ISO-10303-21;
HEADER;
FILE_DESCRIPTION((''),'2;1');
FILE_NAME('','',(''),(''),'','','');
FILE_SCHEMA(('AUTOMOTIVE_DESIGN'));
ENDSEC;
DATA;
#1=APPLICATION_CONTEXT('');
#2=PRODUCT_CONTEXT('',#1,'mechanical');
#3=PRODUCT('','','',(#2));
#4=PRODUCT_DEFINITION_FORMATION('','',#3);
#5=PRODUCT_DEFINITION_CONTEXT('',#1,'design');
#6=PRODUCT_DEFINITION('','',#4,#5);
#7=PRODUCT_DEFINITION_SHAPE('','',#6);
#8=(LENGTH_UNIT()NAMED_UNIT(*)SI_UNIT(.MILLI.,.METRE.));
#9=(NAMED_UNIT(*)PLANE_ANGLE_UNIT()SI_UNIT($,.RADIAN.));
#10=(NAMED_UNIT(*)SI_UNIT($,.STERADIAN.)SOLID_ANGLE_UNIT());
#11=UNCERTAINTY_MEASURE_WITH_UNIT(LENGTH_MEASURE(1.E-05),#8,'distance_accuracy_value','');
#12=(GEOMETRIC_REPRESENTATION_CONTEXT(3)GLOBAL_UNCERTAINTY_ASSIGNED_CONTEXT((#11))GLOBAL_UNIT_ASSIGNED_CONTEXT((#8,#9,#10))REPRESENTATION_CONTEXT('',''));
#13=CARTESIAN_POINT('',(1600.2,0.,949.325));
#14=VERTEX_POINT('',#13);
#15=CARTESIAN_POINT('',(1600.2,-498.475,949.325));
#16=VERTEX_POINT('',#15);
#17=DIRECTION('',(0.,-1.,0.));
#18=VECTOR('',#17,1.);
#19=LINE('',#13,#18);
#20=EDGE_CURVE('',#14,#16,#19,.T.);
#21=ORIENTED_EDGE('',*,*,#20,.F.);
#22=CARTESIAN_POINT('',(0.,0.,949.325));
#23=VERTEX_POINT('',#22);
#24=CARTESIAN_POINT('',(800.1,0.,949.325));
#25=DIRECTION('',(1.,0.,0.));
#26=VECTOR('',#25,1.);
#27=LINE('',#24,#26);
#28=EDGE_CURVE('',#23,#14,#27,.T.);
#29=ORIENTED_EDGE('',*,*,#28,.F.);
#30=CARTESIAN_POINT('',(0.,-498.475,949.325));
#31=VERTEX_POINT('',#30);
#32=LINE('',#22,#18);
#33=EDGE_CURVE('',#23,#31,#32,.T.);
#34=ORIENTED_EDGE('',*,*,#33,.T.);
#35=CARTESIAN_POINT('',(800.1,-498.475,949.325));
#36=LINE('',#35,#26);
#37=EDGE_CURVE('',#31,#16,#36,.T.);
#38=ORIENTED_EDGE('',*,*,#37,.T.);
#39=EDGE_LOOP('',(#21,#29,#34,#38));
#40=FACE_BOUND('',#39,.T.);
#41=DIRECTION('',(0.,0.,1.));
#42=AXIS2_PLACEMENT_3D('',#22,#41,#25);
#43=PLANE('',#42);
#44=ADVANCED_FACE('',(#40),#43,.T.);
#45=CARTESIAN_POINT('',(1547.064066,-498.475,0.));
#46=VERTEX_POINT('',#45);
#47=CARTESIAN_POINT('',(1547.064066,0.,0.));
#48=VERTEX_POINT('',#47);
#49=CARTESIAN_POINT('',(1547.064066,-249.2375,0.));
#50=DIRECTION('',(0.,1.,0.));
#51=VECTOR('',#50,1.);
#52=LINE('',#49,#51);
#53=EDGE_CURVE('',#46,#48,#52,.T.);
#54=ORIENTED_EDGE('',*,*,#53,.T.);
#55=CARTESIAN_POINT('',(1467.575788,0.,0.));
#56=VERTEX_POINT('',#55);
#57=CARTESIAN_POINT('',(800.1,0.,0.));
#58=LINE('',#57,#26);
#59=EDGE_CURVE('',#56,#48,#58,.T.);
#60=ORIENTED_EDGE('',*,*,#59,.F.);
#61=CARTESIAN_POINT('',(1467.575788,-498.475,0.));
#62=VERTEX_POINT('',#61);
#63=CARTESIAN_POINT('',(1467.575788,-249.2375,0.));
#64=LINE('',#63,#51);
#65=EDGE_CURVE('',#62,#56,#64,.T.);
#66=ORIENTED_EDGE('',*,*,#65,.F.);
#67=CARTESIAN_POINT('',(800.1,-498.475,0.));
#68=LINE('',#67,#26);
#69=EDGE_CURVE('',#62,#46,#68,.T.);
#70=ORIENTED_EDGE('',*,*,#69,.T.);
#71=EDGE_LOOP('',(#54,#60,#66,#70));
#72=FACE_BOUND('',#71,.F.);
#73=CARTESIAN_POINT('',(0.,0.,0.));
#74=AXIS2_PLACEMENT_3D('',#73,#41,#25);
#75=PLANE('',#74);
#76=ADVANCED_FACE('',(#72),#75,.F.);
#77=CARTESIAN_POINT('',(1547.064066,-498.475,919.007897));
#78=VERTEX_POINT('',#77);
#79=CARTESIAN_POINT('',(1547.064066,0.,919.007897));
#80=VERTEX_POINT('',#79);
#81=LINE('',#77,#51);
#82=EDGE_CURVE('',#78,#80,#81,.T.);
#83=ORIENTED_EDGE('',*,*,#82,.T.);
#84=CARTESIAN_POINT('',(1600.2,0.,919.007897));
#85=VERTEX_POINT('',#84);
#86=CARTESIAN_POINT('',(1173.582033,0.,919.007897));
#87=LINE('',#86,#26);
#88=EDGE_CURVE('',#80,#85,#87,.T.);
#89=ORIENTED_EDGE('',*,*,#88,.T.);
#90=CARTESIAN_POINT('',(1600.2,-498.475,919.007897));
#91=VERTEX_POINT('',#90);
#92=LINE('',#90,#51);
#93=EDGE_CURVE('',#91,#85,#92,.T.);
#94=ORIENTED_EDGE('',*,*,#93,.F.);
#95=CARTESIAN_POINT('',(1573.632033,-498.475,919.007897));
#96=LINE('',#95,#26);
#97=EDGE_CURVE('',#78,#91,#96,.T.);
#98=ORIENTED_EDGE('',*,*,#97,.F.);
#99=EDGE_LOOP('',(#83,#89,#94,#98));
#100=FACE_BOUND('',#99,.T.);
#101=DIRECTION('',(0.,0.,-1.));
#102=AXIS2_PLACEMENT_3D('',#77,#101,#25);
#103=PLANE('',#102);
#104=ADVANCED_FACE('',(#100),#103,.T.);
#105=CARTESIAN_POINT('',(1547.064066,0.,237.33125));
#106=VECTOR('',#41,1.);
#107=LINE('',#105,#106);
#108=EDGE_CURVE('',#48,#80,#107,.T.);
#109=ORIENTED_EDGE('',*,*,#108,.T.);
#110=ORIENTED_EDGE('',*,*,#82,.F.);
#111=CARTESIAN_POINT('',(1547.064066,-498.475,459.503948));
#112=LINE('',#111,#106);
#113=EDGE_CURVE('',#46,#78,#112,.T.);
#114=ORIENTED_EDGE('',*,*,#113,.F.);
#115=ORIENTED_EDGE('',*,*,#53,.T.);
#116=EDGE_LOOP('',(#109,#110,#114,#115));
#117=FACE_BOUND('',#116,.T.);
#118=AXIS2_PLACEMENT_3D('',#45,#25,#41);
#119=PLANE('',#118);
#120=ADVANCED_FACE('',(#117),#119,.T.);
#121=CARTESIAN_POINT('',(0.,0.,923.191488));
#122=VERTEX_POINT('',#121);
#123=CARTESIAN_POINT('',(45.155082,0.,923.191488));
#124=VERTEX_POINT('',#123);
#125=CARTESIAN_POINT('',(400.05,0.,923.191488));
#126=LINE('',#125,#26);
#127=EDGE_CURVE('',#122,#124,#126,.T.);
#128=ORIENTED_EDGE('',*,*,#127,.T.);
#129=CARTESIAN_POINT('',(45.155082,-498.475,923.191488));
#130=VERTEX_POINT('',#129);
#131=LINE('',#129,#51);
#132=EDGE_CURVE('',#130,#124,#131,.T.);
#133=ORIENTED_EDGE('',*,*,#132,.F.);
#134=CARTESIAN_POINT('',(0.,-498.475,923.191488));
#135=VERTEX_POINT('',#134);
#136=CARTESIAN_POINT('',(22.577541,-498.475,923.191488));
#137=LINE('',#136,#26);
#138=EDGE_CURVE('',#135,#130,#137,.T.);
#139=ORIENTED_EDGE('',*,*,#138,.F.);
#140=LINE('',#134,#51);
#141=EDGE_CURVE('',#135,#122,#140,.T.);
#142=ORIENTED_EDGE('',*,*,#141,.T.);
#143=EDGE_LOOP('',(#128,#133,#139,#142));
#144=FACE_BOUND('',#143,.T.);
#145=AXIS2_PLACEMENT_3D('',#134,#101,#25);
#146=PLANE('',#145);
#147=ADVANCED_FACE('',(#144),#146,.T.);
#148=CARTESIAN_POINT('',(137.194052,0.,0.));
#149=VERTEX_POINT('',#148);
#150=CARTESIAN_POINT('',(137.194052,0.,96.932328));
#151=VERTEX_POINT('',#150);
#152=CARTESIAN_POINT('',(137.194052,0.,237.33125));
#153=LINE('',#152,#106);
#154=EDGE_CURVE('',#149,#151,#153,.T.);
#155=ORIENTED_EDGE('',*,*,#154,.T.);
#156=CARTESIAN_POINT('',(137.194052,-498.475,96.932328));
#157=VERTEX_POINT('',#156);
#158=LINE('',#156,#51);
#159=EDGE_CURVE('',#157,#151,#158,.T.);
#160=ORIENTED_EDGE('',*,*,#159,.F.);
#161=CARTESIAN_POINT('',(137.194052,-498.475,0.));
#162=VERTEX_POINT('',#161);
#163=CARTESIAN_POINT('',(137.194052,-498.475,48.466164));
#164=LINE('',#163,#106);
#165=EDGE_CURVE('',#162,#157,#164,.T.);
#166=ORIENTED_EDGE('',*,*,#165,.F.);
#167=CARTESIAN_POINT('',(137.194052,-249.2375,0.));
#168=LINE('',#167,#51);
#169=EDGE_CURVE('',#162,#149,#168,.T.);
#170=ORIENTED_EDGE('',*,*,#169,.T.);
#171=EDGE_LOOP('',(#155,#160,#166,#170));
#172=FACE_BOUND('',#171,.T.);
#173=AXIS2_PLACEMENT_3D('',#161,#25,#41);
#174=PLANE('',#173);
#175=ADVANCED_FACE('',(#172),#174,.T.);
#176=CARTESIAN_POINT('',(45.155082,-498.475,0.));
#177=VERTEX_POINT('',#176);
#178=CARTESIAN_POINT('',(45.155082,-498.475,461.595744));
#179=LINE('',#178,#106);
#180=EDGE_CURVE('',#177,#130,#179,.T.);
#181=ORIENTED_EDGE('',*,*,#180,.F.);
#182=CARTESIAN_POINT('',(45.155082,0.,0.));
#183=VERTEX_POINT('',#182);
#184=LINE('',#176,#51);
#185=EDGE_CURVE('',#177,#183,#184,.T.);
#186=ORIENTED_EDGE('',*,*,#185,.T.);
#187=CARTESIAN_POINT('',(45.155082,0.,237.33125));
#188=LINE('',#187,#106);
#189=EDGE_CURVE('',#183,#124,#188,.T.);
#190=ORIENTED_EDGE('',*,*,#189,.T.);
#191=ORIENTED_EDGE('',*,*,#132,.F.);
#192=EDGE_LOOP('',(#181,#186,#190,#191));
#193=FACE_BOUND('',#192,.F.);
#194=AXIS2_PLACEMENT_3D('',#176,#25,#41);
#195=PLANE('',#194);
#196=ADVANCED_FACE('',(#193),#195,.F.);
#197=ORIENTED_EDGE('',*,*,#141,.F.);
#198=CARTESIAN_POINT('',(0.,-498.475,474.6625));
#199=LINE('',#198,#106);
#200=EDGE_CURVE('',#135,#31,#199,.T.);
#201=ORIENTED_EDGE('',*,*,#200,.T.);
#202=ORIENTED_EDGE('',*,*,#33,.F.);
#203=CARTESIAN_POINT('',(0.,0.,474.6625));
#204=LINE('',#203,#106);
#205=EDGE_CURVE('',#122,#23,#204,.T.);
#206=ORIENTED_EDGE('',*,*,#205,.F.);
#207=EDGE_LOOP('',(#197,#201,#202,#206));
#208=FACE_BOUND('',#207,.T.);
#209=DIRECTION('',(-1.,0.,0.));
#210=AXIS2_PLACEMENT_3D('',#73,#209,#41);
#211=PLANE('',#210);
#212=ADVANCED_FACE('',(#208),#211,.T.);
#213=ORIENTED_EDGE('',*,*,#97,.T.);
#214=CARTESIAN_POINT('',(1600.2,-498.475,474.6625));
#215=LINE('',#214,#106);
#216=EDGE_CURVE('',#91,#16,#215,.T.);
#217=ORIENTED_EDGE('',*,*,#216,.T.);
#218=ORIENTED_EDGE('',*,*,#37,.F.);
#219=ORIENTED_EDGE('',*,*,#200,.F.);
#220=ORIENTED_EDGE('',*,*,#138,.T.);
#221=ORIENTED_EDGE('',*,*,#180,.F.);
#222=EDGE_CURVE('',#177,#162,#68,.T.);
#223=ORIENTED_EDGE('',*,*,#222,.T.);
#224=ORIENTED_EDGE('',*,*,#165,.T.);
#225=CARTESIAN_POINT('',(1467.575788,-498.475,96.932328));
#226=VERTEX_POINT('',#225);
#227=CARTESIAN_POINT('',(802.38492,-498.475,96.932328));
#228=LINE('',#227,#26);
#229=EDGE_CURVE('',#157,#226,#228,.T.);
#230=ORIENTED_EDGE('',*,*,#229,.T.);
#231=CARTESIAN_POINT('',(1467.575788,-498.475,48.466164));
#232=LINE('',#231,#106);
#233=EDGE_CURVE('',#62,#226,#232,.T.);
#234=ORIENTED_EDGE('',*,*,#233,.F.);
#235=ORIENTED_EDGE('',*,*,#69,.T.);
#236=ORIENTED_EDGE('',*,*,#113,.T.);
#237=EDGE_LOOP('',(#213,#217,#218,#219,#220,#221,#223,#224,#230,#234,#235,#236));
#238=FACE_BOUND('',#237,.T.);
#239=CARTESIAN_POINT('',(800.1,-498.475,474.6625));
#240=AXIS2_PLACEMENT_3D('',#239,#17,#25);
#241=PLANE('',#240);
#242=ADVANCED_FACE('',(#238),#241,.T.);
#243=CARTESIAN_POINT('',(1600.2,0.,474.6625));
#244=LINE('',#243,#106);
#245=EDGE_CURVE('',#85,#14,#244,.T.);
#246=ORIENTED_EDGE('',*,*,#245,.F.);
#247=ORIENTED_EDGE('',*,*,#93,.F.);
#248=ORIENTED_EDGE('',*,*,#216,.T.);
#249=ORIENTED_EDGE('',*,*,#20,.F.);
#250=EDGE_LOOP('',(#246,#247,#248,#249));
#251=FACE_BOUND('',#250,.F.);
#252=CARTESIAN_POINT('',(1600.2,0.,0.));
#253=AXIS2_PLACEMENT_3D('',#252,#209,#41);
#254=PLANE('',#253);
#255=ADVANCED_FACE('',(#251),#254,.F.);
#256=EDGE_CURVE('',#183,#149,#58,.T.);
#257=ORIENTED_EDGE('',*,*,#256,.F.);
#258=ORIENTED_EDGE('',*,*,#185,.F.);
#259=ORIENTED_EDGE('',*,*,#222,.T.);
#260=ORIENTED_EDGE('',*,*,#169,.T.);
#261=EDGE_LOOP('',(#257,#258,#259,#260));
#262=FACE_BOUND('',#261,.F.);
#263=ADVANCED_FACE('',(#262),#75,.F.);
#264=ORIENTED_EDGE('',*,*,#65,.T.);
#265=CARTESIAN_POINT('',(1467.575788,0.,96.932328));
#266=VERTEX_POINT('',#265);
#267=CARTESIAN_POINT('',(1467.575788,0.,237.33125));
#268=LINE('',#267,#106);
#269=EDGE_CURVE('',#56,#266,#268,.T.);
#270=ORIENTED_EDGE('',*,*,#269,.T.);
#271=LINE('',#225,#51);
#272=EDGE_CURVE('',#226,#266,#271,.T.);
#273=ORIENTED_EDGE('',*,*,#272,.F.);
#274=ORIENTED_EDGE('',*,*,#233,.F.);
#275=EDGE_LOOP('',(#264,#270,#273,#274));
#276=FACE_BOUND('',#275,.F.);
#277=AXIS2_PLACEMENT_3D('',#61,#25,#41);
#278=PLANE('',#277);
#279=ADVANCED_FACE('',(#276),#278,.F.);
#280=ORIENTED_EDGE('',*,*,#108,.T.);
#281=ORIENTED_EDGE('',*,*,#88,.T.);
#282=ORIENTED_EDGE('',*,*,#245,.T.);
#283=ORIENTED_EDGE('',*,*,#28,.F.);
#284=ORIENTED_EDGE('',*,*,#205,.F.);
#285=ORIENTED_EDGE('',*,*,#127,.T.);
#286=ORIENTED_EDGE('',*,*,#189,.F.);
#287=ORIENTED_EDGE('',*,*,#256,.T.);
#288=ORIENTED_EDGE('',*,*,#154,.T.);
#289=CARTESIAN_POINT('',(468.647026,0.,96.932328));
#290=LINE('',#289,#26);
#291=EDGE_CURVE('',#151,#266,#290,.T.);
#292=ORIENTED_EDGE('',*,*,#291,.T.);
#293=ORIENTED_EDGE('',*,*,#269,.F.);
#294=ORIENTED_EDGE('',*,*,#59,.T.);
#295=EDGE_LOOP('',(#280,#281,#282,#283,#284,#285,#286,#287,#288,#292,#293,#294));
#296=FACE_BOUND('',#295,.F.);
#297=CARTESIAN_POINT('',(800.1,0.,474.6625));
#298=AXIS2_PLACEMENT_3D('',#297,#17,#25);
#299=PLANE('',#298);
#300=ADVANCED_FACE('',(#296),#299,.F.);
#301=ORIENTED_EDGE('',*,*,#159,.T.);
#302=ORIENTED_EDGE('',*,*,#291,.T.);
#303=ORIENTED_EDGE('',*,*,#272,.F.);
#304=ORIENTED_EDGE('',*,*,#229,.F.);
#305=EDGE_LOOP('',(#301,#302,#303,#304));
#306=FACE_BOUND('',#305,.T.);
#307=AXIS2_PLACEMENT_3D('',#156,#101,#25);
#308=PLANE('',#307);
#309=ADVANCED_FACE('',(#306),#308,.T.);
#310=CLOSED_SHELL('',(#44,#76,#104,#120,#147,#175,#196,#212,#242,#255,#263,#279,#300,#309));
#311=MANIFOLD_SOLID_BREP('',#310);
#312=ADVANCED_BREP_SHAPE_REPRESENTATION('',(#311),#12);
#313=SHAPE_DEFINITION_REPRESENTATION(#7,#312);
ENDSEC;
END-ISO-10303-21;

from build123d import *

# Parameters (mm, degrees)
F0_W     = 1600.2
F0_H     = 949.325
F1_DEPTH = 498.475
F2_W     = 45.155082
F2_H     = 923.191488
F2_W_2   = 53.135934
F2_H_2   = 919.007897
F2_W_3   = 1330.381736
F2_H_3   = 96.932329
F3_DEPTH = 508


with BuildPart() as f1:
    # F0 (on Front) → F1 (new body)
    with BuildSketch(Plane.XZ):
        with Locations((800.1, 474.6625)):
            Rectangle(F0_W, F0_H)
    extrude(amount=F1_DEPTH)

    # F2 (on face) → F3 (cut)
    with BuildSketch(Plane.XZ.offset(498.475)):
        with Locations((22.577541, 461.595744)):
            Rectangle(F2_W, F2_H)
        with Locations((1573.632033, 459.503948)):
            Rectangle(F2_W_2, F2_H_2)
        with Locations((802.38492, 48.466164)):
            Rectangle(F2_W_3, F2_H_3)
    extrude(amount=-F3_DEPTH, mode=Mode.SUBTRACT)


solid = f1.part
